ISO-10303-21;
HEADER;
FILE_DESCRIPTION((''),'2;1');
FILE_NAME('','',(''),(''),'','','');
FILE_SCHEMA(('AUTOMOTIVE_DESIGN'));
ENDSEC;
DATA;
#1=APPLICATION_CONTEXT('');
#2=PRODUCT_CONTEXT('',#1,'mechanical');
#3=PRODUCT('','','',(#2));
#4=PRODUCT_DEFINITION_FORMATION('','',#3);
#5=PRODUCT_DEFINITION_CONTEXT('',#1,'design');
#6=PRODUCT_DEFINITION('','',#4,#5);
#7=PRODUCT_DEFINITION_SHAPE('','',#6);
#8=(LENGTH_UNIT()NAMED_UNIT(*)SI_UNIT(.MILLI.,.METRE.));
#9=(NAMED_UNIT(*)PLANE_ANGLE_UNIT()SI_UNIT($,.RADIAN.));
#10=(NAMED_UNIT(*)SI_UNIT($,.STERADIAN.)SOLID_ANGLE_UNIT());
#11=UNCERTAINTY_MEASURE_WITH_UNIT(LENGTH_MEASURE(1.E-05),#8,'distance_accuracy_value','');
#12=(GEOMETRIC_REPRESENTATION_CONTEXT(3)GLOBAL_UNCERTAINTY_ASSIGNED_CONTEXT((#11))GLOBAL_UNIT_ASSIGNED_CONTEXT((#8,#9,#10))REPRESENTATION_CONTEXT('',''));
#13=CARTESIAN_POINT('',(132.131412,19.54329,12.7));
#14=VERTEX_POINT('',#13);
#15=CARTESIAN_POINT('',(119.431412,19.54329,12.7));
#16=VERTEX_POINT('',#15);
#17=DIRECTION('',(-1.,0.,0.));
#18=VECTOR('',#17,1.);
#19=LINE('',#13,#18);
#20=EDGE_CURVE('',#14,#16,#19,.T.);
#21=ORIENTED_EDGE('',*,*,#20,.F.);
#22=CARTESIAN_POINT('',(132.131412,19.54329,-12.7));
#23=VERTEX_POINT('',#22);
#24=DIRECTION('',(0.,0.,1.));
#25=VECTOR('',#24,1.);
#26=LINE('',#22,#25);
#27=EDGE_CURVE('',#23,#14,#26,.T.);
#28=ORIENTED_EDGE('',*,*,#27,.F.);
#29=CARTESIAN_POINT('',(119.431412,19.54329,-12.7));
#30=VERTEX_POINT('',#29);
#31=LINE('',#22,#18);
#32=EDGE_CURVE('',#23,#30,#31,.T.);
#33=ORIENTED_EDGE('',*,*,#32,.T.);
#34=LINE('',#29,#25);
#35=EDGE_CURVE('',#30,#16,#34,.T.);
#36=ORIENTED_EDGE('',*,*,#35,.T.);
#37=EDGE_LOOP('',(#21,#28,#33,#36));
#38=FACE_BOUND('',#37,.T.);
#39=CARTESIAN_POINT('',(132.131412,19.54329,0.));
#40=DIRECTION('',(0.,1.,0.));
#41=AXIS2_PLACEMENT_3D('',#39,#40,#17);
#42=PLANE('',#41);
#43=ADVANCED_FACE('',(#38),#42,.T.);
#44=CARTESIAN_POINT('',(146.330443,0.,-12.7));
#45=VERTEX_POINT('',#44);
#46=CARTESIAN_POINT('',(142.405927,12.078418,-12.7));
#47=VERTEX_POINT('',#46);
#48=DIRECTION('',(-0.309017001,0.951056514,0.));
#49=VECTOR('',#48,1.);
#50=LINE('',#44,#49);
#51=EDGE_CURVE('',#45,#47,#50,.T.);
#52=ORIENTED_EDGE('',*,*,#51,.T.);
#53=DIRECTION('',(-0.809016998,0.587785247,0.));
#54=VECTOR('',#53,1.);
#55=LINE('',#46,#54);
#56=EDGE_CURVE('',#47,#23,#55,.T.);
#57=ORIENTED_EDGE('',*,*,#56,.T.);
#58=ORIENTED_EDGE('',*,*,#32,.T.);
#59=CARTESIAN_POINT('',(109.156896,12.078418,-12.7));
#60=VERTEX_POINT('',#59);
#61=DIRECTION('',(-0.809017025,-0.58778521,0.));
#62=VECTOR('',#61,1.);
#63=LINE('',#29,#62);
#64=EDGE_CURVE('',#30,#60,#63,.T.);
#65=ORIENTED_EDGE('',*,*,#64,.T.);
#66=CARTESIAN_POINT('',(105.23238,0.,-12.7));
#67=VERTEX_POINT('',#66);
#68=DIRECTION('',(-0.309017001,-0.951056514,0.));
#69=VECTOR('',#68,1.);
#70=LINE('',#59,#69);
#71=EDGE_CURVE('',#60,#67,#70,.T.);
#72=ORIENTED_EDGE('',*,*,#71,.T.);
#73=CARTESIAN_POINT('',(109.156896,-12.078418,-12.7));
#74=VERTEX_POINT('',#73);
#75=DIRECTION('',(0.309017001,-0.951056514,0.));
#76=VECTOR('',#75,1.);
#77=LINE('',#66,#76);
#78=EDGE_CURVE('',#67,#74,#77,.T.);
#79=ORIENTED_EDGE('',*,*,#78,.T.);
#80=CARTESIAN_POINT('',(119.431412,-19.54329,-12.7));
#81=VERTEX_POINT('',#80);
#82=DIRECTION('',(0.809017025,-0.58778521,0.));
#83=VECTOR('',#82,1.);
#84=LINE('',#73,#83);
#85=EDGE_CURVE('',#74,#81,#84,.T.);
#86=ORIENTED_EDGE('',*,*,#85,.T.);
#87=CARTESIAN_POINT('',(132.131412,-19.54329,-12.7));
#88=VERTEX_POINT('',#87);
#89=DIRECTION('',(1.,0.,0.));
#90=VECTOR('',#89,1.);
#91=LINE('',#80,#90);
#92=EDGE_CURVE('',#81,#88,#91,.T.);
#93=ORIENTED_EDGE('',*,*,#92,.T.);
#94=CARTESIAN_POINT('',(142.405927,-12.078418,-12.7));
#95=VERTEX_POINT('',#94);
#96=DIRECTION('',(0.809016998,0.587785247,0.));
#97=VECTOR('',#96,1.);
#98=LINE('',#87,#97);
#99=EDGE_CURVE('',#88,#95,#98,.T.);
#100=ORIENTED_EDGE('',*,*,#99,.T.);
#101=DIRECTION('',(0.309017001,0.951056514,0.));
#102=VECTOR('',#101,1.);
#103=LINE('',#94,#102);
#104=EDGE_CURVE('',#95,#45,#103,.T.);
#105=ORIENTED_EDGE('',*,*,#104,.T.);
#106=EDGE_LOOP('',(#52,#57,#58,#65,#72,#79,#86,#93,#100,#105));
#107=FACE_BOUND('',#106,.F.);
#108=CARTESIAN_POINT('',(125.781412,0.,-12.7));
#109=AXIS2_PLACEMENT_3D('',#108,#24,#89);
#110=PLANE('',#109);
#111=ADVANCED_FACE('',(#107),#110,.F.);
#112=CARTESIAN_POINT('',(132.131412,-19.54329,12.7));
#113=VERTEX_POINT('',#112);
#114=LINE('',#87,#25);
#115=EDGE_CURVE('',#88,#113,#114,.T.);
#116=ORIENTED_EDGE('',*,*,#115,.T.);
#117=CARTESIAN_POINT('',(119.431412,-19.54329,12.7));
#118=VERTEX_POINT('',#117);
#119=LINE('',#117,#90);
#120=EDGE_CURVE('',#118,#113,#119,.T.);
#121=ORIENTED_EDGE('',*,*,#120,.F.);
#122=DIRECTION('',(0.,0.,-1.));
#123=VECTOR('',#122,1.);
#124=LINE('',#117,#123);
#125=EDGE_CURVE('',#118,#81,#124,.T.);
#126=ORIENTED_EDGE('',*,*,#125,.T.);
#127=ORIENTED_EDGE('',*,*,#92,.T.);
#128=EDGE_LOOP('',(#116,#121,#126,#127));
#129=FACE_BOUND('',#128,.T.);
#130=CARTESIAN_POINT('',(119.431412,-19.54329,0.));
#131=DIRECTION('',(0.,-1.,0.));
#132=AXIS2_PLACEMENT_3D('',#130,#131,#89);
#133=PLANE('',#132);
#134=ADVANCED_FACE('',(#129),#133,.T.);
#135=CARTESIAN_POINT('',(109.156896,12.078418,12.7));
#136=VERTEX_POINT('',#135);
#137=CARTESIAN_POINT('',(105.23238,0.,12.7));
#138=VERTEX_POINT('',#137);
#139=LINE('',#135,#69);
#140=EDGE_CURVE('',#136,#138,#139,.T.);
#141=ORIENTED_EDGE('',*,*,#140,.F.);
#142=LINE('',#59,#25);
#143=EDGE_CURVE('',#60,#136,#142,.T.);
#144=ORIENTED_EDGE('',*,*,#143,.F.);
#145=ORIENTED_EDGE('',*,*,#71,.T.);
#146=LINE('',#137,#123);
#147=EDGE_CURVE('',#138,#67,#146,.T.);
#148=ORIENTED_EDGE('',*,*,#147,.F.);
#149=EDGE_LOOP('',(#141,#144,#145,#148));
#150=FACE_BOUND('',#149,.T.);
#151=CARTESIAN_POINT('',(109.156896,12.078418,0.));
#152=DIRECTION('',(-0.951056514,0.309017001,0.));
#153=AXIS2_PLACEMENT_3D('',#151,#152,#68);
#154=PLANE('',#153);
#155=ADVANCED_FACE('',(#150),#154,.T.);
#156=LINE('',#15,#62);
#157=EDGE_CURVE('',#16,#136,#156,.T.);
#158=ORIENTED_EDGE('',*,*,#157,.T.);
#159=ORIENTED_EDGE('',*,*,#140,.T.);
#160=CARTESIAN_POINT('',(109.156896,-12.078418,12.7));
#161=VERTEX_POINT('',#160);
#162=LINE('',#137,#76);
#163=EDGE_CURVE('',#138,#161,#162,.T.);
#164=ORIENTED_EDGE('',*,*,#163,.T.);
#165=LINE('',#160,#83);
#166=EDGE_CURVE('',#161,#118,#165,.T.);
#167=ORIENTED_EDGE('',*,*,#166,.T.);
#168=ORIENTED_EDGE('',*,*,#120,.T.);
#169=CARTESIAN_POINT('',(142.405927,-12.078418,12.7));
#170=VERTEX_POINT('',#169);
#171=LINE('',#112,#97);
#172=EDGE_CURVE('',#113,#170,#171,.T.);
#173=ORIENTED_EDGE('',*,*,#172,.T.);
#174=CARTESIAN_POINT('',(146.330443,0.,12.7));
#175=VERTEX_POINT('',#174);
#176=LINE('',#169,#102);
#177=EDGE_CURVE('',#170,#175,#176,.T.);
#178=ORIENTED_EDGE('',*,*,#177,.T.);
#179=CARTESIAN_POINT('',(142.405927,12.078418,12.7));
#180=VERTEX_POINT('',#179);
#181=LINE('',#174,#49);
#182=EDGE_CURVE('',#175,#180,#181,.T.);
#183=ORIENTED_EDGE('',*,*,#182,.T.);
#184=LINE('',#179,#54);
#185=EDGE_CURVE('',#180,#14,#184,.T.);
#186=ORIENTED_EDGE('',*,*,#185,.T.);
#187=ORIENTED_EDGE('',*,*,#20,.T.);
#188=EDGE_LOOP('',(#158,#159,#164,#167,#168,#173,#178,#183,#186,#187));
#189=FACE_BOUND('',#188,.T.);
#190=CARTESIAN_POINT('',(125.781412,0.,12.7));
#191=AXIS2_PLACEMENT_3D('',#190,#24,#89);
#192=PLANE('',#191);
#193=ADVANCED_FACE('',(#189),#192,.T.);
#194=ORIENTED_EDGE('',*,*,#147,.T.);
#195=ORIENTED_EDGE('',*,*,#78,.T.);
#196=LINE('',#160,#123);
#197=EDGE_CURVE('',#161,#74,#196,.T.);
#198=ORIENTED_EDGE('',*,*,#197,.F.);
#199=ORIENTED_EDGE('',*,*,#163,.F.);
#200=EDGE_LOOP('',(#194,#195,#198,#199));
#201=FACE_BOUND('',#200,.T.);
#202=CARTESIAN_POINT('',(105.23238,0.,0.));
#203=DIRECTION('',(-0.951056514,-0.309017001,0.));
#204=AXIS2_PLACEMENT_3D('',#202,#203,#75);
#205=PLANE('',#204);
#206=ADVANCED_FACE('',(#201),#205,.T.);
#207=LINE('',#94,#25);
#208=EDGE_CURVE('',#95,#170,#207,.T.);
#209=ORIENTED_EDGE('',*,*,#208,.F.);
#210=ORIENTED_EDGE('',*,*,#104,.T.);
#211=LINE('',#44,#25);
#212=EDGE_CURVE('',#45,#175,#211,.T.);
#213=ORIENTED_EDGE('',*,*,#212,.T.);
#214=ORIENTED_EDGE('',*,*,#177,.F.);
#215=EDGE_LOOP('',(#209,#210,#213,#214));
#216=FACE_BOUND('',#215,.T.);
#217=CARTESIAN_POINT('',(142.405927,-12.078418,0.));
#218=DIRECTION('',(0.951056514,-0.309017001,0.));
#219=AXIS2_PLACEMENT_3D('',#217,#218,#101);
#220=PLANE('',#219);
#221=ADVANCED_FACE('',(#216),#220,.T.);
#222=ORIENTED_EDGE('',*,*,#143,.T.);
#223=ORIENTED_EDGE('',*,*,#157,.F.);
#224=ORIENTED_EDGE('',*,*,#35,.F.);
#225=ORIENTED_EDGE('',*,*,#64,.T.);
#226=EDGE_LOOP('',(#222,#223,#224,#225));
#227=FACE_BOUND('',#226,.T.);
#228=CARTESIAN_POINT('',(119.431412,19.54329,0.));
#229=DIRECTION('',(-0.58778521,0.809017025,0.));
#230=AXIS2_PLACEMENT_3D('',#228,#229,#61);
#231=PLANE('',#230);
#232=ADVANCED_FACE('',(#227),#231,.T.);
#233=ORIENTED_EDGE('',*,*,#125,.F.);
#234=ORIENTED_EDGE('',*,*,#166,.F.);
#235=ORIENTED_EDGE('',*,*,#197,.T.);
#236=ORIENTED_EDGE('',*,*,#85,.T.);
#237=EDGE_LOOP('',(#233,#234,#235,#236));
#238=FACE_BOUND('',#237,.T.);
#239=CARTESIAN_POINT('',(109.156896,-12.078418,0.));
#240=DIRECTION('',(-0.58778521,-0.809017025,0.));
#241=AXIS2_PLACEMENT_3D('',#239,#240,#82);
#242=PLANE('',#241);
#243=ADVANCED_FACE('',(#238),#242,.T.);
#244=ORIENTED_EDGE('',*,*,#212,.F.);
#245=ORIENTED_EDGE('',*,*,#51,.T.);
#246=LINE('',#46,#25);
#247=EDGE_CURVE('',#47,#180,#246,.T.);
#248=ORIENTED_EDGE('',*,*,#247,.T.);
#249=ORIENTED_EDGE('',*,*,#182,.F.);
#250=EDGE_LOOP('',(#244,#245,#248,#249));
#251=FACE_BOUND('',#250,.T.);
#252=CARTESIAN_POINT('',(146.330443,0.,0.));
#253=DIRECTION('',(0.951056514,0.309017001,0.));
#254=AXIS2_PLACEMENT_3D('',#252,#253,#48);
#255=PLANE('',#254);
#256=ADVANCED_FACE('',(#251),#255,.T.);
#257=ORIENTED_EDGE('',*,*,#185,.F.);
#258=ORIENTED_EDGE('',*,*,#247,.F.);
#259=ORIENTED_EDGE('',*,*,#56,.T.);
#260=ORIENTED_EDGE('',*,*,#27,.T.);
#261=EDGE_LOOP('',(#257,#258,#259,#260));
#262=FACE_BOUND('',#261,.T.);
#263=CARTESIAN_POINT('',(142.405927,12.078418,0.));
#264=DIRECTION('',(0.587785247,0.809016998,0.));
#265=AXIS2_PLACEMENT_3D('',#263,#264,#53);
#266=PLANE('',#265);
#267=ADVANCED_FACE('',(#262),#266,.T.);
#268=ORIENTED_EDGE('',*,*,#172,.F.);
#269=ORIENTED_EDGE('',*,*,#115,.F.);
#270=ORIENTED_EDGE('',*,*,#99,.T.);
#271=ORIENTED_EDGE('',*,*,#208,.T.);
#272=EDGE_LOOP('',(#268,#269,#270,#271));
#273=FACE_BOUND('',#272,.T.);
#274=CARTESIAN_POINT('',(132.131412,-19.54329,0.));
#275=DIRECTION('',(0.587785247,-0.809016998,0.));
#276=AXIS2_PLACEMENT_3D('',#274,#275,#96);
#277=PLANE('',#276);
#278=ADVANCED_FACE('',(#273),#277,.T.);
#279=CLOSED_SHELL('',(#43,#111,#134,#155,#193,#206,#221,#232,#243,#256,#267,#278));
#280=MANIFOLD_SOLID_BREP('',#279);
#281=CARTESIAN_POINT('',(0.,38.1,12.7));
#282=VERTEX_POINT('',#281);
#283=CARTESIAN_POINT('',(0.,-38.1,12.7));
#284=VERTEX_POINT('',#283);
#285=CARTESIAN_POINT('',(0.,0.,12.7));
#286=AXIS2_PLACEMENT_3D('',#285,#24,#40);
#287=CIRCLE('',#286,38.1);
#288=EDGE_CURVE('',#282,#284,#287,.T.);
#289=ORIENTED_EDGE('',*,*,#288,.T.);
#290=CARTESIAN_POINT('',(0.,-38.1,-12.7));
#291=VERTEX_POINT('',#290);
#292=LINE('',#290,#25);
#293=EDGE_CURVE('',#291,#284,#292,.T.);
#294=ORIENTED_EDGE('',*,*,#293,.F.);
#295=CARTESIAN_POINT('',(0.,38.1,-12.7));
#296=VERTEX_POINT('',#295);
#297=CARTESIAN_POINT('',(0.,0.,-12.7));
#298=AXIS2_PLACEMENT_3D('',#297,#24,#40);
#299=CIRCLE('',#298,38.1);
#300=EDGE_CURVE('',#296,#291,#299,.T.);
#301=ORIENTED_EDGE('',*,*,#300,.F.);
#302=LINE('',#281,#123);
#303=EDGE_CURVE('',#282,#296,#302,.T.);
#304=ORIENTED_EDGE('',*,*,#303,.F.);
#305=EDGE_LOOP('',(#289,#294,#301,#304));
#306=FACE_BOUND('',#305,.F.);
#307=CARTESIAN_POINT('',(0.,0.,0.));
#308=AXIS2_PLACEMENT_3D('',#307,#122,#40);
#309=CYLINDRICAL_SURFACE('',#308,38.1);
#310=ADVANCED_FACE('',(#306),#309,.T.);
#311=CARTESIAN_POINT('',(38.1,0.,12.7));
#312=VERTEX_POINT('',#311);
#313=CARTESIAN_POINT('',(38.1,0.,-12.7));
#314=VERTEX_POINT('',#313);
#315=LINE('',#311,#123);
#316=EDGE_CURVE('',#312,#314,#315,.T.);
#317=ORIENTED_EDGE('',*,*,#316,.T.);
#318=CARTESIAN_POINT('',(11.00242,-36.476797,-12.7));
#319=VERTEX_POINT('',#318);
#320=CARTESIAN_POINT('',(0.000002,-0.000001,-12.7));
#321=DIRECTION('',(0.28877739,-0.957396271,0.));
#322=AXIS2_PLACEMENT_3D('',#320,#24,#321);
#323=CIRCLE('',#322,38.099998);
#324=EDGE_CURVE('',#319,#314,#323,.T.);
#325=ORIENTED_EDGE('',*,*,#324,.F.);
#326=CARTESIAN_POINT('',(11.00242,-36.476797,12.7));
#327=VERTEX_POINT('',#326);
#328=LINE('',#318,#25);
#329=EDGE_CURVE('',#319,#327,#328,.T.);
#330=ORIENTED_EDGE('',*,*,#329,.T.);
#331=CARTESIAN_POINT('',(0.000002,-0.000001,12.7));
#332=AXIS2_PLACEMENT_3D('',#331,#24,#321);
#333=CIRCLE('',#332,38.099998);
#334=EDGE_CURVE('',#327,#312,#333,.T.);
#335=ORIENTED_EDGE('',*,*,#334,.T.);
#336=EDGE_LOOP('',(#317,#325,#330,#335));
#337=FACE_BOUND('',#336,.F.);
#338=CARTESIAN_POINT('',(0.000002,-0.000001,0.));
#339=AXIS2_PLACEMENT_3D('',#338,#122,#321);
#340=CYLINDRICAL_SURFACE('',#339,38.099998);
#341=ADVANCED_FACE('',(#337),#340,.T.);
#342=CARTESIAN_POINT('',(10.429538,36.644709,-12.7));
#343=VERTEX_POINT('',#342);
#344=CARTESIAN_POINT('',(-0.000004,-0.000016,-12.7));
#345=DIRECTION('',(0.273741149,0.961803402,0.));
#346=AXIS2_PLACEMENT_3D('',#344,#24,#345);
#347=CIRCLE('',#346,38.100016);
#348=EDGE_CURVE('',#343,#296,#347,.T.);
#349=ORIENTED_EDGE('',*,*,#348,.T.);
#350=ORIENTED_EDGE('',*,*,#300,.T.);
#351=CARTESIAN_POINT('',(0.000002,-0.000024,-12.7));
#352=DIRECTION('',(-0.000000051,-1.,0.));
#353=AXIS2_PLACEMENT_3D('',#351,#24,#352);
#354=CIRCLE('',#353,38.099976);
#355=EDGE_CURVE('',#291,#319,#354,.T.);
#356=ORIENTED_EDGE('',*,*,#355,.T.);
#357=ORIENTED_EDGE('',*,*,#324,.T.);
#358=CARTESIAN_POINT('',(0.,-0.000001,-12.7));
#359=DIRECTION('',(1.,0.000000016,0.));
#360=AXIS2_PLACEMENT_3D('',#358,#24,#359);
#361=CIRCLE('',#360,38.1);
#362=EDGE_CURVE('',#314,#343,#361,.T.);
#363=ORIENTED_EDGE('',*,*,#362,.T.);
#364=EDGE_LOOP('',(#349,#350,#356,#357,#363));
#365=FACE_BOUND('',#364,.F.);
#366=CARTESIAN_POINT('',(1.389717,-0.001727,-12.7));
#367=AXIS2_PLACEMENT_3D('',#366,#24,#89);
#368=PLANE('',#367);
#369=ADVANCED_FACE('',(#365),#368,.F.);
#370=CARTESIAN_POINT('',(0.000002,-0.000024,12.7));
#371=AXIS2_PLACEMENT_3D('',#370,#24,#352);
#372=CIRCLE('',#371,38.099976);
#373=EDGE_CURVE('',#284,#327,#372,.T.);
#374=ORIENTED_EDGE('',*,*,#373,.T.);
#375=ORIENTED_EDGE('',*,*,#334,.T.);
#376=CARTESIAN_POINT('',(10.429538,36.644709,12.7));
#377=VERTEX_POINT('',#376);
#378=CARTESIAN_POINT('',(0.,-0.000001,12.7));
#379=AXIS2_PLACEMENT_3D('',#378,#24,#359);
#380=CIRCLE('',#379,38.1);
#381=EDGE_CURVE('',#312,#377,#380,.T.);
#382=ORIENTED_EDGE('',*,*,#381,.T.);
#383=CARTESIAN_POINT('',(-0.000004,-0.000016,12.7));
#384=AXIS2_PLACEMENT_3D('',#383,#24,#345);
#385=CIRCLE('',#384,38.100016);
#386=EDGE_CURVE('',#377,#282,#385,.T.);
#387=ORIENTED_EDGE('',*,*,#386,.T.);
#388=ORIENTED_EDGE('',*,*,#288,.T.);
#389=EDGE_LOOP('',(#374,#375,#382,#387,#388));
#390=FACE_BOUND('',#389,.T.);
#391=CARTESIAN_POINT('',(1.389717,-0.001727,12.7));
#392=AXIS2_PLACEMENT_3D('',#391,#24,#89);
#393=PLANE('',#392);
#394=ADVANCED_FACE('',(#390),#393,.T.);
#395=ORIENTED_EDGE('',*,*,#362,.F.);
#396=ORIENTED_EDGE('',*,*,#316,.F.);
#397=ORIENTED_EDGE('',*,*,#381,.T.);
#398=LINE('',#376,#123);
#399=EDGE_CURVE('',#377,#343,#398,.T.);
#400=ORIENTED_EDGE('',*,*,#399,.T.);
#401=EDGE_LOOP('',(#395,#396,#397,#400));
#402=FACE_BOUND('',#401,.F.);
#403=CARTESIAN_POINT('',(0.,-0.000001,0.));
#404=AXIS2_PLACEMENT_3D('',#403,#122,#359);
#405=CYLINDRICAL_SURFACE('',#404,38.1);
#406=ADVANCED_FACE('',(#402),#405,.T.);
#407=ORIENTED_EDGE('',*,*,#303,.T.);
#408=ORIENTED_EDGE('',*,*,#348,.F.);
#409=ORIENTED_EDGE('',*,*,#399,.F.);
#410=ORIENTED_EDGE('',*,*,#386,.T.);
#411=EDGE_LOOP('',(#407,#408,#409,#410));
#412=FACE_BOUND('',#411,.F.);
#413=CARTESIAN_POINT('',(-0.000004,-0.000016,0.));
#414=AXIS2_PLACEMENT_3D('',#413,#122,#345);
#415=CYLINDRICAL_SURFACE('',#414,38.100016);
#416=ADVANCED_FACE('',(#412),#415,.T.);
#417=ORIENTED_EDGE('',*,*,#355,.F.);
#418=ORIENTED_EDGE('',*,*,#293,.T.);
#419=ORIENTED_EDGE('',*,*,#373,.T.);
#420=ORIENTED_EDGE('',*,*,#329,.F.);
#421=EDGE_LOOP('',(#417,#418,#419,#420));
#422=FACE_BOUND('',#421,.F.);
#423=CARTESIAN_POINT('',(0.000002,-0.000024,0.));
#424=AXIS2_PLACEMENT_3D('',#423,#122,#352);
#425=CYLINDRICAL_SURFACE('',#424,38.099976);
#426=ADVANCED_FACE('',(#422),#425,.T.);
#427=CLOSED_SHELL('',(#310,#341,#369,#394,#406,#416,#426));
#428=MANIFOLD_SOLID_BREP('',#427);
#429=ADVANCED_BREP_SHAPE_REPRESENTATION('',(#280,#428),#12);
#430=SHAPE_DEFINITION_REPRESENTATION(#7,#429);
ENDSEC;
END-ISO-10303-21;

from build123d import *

# Parameters (mm, degrees)
F1_DEPTH = 12.7


with BuildPart() as f1:
    # F0 (on Top) → F1 (new body, symmetric)
    with BuildSketch(Plane.XY):
        with BuildLine():
            Line((10.429538, 36.644709), (0, 38.1))
            ThreePointArc((0, 38.1), (-38.1, 0), (0, -38.1))
            Line((0, -38.1), (11.00242, -36.476797))
            ThreePointArc((11.00242, -36.476797), (30.584328, -22.720231), (38.1, 0))
            ThreePointArc((38.1, 0), (30.405389, 22.959144), (10.429538, 36.644709))
        make_face()
        Polygon((119.431412, -19.54329), (125.781412, -19.54329), (132.131412, -19.54329), (142.405927, -12.078418), (146.330443, 0), (142.405927, 12.078418), (132.131412, 19.54329), (119.431412, 19.54329), (109.156896, 12.078418), (105.23238, 0), (109.156896, -12.078418), align=None)
        with BuildLine():
            ThreePointArc((10.429538, 36.644709), (5.265291, 37.734423), (0, 38.1))
            Line((0, 38.1), (10.429538, 36.644709))
        make_face()
        with BuildLine():
            Line((11.00242, -36.476797), (0, -38.1))
            ThreePointArc((0, -38.1), (5.560756, -37.692015), (11.00242, -36.476797))
        make_face()
    extrude(amount=F1_DEPTH, both=True)


solid = f1.part
